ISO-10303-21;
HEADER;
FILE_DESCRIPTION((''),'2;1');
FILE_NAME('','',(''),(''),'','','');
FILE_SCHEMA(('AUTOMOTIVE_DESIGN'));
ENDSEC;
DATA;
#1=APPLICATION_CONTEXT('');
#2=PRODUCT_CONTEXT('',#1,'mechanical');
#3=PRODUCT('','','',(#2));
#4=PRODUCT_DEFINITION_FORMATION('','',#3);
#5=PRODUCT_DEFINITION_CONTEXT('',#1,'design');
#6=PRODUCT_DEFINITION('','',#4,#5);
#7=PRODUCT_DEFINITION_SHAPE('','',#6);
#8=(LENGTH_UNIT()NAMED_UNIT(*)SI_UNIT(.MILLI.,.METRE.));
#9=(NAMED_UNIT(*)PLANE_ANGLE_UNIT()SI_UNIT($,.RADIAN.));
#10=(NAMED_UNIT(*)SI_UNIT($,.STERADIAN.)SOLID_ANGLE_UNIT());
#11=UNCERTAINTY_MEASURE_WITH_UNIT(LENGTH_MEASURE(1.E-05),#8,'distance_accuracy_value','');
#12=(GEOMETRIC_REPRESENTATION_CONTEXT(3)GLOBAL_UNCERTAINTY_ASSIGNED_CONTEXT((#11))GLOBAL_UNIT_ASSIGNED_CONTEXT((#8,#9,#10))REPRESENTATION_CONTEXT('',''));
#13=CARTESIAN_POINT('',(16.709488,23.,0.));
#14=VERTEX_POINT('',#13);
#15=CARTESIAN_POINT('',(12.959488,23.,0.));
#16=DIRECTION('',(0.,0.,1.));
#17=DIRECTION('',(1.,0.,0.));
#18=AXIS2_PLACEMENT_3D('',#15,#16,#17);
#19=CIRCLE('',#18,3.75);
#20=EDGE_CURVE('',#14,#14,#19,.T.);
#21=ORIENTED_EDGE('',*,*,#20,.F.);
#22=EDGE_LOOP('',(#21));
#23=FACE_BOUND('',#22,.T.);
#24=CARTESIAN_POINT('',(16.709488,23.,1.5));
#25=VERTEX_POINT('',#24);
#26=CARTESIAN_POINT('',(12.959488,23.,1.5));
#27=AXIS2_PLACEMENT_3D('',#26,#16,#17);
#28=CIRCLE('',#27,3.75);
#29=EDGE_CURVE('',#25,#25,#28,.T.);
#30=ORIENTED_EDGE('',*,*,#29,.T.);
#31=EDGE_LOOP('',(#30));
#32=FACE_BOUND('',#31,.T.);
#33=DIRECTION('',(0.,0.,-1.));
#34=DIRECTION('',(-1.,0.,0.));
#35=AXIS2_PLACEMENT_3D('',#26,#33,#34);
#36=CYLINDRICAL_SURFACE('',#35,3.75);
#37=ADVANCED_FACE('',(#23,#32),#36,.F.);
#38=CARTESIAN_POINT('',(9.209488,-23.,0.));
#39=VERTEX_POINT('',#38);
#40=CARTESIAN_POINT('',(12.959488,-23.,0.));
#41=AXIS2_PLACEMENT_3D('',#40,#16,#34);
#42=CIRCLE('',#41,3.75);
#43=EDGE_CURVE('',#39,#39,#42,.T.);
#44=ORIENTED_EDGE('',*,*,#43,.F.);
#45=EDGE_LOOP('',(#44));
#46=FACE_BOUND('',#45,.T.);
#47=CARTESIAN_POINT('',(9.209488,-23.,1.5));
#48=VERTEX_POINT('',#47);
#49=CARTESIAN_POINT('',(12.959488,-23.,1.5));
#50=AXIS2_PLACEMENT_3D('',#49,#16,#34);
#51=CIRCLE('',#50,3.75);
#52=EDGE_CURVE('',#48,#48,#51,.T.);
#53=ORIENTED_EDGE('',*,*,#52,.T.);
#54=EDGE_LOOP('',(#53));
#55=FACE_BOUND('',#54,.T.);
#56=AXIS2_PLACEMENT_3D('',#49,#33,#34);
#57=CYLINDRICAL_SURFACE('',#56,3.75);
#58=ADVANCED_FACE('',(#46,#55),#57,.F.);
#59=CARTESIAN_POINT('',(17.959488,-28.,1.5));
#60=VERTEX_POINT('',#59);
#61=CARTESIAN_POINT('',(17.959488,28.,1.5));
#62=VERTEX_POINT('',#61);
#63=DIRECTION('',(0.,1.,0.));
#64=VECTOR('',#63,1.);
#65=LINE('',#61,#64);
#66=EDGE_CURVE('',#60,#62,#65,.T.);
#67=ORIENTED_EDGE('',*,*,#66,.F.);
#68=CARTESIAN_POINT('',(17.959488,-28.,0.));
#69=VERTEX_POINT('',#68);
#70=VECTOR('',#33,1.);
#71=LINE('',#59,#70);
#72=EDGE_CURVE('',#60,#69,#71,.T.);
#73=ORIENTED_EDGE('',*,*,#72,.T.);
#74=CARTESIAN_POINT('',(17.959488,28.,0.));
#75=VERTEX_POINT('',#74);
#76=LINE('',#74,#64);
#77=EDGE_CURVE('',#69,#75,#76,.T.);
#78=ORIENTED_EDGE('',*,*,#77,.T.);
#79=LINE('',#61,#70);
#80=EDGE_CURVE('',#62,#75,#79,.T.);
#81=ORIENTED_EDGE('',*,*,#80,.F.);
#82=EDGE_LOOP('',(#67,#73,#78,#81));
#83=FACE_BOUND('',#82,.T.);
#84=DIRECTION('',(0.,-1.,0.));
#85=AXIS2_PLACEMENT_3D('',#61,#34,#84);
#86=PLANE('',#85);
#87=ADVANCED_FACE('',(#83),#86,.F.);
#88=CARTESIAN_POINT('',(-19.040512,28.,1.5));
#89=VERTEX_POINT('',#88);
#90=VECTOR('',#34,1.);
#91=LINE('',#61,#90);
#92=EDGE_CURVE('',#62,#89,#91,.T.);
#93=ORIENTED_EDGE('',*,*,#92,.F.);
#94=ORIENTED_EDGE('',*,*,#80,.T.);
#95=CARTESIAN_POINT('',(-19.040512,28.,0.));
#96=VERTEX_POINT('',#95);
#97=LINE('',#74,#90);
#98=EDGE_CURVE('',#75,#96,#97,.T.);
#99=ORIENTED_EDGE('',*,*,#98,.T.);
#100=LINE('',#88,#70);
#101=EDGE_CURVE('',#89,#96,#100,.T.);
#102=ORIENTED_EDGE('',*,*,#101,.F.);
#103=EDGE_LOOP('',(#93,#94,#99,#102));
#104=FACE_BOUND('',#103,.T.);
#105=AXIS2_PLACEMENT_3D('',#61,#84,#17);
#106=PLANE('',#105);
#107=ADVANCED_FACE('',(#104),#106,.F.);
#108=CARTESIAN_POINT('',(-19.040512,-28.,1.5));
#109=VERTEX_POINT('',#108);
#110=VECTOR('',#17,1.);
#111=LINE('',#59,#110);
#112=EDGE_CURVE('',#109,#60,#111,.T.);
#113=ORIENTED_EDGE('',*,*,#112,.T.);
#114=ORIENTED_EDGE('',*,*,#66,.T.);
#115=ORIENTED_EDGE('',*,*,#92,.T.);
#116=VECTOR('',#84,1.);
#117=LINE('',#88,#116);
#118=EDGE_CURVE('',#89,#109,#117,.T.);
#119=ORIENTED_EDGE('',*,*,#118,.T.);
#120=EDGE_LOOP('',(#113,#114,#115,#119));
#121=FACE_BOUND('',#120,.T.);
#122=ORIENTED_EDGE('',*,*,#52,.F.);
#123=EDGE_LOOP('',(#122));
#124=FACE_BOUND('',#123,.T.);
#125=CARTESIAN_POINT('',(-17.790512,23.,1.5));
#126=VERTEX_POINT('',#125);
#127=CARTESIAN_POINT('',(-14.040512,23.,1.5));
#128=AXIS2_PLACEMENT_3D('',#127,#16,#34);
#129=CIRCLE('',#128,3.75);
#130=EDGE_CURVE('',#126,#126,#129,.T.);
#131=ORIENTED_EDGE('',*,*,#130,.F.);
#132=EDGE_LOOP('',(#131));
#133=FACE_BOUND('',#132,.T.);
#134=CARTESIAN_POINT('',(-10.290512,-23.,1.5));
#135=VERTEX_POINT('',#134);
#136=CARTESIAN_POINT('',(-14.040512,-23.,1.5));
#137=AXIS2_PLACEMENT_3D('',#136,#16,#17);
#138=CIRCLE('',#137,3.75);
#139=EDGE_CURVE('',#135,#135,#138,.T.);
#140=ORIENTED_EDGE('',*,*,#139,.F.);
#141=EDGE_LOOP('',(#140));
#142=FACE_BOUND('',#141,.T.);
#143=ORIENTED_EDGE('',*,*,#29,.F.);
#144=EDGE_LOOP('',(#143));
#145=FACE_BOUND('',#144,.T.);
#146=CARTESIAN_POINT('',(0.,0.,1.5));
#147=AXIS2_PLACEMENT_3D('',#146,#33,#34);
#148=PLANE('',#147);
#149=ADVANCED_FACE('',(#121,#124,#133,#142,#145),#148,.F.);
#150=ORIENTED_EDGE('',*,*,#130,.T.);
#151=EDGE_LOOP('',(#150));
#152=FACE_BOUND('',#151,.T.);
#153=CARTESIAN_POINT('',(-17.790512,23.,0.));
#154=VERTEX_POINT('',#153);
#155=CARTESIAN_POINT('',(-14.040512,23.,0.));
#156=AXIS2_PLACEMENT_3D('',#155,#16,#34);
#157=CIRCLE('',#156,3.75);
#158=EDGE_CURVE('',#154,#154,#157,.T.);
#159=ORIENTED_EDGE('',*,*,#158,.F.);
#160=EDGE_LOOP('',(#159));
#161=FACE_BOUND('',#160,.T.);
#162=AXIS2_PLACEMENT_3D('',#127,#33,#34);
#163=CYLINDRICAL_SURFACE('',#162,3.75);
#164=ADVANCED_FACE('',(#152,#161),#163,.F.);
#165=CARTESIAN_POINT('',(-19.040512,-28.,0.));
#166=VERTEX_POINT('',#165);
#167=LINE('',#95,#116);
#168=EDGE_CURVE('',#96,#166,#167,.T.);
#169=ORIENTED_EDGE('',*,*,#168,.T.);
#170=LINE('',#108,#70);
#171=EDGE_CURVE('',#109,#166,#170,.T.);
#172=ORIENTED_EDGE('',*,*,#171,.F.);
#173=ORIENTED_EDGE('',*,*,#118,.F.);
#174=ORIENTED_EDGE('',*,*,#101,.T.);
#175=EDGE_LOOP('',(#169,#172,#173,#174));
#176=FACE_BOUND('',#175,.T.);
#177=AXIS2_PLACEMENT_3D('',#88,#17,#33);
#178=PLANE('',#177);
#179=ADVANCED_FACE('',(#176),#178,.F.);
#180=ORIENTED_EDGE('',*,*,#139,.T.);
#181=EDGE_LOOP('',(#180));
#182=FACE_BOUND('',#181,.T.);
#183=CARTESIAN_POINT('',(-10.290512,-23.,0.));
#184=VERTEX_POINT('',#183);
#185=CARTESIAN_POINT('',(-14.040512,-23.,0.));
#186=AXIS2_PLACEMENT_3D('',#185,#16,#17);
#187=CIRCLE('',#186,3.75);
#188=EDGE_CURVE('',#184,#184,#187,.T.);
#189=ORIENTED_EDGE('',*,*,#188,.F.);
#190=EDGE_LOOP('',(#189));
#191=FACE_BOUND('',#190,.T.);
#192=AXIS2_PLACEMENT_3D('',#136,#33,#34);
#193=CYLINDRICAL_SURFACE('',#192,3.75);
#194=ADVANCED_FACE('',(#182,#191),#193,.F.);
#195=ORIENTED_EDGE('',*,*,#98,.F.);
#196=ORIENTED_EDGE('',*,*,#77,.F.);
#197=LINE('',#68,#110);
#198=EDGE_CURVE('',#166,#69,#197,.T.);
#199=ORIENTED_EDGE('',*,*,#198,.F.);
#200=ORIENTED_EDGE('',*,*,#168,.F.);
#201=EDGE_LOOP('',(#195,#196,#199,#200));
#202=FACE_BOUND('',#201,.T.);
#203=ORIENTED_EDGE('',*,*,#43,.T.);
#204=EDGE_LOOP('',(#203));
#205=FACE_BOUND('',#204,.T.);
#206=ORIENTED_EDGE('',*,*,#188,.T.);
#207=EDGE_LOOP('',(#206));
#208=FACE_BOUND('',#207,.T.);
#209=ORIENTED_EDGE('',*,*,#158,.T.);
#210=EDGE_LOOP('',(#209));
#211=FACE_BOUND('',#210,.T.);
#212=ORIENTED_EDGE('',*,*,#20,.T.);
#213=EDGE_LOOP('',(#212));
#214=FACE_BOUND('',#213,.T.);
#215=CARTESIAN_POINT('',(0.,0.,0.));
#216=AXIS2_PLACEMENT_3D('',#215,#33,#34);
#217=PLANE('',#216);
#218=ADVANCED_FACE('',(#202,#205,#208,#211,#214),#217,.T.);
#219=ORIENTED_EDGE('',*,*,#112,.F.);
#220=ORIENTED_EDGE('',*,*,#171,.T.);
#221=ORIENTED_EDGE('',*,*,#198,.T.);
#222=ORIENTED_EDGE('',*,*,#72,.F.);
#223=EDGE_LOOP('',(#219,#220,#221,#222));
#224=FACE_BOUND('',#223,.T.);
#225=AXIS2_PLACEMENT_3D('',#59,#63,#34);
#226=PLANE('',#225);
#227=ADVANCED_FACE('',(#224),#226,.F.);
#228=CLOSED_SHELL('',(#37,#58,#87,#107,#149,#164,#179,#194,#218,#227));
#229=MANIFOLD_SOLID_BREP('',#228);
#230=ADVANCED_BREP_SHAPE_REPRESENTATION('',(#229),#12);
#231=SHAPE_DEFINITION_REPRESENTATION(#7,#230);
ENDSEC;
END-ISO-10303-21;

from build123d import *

# Parameters (mm, degrees)
SKETCH_3_W      = 37
SKETCH_3_H      = 56
SKETCH_3_R      = 3.75
EXTRUDE_1_DEPTH = 1.5


with BuildPart() as part:
    # Эскиз3 → Бобышка-Вытянуть1 (new body)
    with BuildSketch(Plane.XY):
        with Locations((-0.540511526, 0)):
            Rectangle(SKETCH_3_W, SKETCH_3_H)
        with Locations((-14.040511526, 23)):
            Circle(SKETCH_3_R, mode=Mode.SUBTRACT)
        with Locations((-14.040511526, -23)):
            Circle(SKETCH_3_R, mode=Mode.SUBTRACT)
        with Locations((12.959488474, 23)):
            Circle(SKETCH_3_R, mode=Mode.SUBTRACT)
        with Locations((12.959488474, -23)):
            Circle(SKETCH_3_R, mode=Mode.SUBTRACT)
    extrude(amount=EXTRUDE_1_DEPTH)


solid = part.part
